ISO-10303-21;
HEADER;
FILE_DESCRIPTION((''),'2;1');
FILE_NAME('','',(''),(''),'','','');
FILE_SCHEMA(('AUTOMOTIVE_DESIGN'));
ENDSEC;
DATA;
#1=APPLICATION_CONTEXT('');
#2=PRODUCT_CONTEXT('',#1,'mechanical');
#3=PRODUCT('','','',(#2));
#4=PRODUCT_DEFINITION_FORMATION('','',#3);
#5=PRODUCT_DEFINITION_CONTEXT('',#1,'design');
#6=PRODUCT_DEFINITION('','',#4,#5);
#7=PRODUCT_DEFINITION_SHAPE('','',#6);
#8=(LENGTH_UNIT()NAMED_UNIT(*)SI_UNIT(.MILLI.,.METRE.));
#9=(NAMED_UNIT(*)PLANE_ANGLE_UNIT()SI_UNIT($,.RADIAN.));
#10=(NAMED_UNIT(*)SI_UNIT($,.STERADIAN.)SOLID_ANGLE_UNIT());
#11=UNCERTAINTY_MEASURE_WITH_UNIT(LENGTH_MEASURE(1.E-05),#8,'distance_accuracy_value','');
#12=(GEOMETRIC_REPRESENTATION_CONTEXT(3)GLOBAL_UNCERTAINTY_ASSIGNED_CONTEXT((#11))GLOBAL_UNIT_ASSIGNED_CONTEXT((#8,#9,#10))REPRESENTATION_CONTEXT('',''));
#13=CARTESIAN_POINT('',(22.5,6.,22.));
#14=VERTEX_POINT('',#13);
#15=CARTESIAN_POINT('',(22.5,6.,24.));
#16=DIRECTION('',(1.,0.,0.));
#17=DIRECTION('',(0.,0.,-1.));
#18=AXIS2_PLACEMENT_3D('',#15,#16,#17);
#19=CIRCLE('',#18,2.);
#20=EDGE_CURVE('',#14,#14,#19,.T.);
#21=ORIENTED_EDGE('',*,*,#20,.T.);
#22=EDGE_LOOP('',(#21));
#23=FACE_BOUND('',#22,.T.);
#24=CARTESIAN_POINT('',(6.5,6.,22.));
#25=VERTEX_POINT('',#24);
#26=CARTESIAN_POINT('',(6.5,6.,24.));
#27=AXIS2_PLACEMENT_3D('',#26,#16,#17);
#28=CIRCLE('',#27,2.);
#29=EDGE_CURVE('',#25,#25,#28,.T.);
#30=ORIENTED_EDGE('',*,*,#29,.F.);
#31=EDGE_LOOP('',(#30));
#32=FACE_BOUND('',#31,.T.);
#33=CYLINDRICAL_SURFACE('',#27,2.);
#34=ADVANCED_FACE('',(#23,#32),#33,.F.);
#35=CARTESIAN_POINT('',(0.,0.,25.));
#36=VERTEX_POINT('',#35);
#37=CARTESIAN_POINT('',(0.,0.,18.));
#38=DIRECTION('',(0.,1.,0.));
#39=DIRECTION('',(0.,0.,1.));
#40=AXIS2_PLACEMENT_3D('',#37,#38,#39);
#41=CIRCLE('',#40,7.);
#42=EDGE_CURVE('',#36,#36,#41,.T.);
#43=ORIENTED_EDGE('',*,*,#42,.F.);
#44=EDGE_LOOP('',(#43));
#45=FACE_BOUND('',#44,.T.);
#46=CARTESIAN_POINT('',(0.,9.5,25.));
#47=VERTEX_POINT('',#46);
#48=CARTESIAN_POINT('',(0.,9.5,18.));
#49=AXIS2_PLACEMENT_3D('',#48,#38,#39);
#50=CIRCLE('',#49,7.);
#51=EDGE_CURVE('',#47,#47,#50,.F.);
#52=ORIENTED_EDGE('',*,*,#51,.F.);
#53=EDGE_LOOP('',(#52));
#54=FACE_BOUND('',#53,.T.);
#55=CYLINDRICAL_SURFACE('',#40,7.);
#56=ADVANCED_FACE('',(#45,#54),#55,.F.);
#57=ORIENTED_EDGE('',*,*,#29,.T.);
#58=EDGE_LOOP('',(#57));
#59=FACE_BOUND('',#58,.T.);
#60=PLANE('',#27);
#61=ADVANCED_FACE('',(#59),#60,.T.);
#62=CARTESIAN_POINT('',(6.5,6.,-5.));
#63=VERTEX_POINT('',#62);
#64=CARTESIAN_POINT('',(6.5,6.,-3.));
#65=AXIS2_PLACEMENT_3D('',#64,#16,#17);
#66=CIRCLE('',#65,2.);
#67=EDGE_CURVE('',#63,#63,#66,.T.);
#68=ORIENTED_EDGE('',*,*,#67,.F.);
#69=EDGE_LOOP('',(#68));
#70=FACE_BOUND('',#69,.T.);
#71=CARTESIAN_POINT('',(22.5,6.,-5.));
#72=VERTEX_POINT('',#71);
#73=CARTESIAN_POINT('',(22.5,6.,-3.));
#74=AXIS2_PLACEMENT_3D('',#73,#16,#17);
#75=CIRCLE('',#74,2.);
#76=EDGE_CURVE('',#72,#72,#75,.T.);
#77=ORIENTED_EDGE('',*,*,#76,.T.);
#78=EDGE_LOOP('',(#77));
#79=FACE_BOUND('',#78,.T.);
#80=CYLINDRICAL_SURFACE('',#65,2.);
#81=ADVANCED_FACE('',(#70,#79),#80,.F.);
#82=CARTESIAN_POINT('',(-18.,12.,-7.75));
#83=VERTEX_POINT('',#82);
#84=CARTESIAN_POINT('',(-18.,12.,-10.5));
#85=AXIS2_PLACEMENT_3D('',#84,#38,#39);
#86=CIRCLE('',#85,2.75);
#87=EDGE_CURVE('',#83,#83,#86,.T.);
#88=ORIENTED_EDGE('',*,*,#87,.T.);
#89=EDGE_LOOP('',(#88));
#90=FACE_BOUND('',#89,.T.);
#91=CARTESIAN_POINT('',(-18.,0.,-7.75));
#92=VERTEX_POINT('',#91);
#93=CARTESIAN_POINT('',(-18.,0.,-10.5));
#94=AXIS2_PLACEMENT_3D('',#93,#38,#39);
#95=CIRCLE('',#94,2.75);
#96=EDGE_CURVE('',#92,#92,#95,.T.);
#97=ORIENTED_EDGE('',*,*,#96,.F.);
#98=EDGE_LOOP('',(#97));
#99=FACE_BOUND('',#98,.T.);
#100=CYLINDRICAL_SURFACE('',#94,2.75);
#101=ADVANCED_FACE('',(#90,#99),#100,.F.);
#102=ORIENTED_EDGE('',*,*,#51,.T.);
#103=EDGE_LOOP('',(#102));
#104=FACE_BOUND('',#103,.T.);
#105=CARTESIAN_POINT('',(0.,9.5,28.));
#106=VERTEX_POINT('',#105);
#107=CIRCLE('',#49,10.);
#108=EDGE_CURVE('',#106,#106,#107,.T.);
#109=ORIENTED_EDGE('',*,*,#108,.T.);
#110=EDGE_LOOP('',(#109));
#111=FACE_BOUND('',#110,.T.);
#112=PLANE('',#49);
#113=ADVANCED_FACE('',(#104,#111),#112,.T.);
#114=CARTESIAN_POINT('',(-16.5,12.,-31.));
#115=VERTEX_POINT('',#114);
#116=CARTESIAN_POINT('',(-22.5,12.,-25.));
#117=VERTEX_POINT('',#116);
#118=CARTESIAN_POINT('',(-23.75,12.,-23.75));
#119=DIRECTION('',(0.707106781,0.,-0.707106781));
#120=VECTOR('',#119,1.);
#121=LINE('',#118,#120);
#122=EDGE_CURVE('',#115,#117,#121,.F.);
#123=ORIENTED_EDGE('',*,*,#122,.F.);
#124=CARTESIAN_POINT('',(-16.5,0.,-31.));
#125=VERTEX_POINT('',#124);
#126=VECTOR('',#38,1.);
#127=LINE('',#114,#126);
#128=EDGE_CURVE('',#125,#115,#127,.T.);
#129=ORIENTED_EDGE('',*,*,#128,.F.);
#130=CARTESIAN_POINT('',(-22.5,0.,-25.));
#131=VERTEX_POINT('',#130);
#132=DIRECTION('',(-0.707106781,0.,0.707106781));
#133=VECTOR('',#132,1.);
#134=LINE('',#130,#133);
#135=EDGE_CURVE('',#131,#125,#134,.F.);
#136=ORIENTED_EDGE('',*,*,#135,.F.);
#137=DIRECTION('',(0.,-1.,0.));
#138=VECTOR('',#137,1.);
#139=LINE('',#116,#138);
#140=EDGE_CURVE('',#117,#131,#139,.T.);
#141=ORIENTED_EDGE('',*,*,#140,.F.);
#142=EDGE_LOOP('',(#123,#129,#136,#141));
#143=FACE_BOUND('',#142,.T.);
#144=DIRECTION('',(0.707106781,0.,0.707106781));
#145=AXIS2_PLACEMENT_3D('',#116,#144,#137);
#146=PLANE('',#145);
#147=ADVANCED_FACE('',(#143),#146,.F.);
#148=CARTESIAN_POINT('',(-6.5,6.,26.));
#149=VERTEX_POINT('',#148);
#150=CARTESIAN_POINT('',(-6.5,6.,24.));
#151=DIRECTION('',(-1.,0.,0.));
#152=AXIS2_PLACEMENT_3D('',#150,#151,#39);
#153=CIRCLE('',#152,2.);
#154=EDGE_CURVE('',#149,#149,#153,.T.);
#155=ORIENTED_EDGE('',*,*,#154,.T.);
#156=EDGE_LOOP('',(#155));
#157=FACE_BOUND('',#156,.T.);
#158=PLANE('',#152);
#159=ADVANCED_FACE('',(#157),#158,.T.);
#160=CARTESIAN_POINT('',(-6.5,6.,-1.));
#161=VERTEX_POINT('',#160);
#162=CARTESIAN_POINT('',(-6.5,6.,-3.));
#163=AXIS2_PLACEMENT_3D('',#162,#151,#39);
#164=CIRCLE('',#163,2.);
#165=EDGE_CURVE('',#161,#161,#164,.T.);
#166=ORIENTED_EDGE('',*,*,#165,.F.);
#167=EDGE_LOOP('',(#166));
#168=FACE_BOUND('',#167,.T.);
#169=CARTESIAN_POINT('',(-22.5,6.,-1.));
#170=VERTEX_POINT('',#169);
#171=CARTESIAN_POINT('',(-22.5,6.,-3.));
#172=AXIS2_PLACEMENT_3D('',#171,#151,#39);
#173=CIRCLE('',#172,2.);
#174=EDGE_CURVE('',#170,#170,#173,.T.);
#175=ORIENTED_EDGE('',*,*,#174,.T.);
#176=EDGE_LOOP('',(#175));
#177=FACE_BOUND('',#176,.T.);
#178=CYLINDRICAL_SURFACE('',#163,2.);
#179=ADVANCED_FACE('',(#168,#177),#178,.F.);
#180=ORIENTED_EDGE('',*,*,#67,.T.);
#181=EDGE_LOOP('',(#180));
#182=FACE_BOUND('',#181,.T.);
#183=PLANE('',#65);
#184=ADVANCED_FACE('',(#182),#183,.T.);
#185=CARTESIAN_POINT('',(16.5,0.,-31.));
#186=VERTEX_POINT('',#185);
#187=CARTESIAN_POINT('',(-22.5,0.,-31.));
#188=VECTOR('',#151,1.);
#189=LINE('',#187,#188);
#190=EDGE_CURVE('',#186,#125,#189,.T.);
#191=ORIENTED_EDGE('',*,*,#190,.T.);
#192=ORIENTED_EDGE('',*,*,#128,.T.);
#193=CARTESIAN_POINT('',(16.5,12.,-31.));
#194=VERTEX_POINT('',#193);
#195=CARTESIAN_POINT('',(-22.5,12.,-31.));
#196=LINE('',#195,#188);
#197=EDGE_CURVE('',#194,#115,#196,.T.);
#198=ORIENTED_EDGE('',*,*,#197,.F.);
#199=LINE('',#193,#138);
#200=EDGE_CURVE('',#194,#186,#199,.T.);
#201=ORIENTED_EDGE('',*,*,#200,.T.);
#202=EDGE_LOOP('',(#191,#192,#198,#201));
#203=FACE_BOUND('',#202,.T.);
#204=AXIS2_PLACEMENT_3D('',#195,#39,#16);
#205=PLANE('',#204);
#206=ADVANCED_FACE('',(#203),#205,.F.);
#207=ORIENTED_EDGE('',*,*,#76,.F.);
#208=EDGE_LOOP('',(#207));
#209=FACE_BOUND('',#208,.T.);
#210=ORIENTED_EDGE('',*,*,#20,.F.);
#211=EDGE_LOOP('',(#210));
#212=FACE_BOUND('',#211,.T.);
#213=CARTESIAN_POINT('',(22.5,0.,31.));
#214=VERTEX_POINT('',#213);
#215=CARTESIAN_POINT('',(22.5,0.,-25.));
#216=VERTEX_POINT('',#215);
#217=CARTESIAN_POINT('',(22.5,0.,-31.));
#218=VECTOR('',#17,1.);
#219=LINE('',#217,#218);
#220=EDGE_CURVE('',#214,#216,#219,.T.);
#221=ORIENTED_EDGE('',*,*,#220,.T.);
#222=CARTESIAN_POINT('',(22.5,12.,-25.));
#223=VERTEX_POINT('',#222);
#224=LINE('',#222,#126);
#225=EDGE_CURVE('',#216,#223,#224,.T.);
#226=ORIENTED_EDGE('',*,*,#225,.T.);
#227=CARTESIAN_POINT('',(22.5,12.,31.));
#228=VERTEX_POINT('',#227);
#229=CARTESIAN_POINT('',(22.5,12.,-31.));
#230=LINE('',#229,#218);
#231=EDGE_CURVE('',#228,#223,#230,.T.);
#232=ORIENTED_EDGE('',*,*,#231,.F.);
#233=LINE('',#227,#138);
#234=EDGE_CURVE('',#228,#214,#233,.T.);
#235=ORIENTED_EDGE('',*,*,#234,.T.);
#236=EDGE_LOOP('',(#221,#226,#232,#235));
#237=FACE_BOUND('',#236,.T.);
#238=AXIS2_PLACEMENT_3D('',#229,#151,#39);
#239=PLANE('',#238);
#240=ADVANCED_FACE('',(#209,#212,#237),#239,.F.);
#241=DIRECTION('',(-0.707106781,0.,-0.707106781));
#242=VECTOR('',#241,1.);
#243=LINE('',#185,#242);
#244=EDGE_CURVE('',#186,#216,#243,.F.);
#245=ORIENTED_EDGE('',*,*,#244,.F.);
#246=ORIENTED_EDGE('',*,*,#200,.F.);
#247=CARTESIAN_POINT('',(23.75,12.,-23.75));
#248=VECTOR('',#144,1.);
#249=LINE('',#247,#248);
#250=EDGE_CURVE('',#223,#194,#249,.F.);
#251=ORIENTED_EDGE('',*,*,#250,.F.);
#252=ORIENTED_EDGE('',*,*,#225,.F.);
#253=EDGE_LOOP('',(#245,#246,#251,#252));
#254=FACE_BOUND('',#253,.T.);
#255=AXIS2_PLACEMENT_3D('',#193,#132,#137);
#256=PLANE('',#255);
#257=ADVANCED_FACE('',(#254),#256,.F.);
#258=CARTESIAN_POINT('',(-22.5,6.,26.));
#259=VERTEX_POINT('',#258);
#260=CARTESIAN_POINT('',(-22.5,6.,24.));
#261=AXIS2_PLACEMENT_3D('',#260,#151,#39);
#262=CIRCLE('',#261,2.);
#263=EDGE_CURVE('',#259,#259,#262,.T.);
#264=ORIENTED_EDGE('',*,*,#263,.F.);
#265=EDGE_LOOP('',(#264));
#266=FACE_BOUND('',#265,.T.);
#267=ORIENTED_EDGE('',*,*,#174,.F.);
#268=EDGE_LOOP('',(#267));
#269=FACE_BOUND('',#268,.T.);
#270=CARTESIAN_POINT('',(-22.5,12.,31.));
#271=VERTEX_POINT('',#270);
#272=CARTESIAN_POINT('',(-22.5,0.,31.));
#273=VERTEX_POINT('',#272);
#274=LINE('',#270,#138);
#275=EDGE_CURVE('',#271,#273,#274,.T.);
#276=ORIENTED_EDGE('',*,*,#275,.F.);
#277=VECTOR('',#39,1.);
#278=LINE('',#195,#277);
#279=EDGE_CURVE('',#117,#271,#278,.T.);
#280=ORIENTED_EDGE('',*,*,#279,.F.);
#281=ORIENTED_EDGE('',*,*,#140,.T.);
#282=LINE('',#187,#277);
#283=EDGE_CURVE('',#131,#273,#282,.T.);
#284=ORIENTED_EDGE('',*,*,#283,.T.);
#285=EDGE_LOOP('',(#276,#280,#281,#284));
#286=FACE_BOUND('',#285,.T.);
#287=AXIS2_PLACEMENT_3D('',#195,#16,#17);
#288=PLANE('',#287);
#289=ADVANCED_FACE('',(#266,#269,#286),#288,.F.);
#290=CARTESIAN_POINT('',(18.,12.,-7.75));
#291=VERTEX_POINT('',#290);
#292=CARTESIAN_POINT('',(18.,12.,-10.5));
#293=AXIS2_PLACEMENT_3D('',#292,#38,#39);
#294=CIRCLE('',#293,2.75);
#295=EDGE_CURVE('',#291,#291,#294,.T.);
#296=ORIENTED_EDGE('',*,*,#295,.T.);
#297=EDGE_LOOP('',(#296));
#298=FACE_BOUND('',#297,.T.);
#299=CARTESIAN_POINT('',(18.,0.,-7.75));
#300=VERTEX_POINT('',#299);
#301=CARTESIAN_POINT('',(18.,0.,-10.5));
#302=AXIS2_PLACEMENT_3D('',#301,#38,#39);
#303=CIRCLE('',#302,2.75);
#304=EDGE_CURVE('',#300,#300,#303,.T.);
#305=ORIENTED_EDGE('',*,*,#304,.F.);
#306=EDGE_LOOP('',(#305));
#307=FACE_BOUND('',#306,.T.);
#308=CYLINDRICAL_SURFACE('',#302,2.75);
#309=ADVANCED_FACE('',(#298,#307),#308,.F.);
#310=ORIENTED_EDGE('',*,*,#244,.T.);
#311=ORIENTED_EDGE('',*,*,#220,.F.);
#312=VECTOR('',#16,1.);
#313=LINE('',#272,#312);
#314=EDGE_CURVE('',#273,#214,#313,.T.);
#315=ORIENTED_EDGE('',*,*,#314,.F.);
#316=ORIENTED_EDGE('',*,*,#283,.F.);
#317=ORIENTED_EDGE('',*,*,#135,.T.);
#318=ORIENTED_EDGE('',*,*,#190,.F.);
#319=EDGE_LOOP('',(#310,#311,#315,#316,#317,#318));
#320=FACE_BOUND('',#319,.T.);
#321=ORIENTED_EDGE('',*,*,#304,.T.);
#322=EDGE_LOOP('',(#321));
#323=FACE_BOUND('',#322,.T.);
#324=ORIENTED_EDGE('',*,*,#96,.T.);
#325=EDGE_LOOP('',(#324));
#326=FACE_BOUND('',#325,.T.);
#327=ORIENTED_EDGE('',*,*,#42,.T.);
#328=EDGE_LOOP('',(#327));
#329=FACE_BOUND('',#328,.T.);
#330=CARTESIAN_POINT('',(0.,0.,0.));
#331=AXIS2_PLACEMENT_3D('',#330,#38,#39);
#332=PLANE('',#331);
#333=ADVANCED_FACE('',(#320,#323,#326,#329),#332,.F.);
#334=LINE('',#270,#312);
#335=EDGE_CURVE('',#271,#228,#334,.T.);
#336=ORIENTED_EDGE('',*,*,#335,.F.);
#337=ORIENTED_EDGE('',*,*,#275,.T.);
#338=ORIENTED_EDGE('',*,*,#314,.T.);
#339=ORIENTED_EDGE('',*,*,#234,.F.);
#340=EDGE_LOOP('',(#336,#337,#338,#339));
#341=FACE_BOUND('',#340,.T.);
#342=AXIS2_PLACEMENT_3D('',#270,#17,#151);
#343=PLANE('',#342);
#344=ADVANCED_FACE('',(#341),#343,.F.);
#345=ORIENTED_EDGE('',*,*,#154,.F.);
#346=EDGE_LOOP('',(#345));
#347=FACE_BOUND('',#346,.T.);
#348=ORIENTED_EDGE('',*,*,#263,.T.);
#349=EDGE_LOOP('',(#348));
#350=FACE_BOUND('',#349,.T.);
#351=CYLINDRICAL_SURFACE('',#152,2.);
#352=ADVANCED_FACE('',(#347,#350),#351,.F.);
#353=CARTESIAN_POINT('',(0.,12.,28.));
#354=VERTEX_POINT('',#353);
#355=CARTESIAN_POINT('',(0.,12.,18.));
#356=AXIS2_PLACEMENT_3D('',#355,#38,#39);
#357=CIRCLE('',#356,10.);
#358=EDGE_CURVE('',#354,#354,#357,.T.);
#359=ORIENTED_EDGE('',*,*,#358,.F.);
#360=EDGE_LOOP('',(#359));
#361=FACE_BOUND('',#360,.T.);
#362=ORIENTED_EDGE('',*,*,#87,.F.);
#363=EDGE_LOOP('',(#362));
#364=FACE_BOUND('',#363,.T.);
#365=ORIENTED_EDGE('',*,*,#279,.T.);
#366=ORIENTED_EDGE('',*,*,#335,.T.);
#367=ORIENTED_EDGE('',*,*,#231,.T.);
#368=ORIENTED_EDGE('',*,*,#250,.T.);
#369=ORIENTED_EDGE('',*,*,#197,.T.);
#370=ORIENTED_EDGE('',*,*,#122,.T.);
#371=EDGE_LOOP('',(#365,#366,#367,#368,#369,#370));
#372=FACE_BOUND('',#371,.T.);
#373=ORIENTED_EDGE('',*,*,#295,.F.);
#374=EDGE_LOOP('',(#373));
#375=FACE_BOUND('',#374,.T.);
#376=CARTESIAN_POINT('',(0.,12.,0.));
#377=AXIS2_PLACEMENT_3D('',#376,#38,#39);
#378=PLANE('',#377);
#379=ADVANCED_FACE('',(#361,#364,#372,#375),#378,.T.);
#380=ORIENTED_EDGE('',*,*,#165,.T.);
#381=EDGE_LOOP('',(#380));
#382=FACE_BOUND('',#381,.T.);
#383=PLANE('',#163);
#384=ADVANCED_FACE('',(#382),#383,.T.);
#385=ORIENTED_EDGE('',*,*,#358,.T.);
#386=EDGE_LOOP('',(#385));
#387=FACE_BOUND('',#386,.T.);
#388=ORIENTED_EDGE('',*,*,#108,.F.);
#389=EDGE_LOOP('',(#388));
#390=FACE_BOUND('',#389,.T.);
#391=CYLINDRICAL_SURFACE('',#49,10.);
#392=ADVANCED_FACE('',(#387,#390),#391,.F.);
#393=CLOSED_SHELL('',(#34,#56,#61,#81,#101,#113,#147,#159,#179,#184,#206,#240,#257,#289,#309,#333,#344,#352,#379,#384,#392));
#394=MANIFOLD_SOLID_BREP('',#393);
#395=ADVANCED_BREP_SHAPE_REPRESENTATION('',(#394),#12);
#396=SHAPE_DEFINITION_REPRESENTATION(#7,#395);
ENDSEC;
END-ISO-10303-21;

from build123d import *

# Parameters (mm, degrees)
SKETCH1_W           = 45
SKETCH1_H           = 62
BOSS_EXTRUDE1_DEPTH = 12
SKETCH2_R           = 7
SKETCH2_R_2         = 2.75
CUT_EXTRUDE1_DEPTH  = 12
SKETCH3_R           = 10
CUT_EXTRUDE2_DEPTH  = 2.5
SKETCH4_R           = 2
CUT_EXTRUDE3_DEPTH  = 16
SKETCH5_R           = 2
CUT_EXTRUDE4_DEPTH  = 16
CHAMFER1_SIZE       = 6


with BuildPart() as part:
    # Sketch1 → Boss-Extrude1 (new body)
    with BuildSketch(Plane(origin=(0, 0, 0), x_dir=(1, 0, 0), z_dir=(0, 1, 0))):
        Rectangle(SKETCH1_W, SKETCH1_H)
    extrude(amount=BOSS_EXTRUDE1_DEPTH)

    # Sketch2 → Cut-Extrude1 (cut)
    with BuildSketch(Plane(origin=(0, 12, 0), x_dir=(1, 0, 0), z_dir=(0, 1, 0))):
        with Locations((0, -18)):
            Circle(SKETCH2_R)
        with Locations((-18, 10.5)):
            Circle(SKETCH2_R_2)
        with Locations((18, 10.5)):
            Circle(SKETCH2_R_2)
    extrude(amount=-CUT_EXTRUDE1_DEPTH, mode=Mode.SUBTRACT)

    # Sketch3 → Cut-Extrude2 (cut)
    with BuildSketch(Plane(origin=(0, 12, 0), x_dir=(1, 0, 0), z_dir=(0, 1, 0))):
        with Locations((0, -18)):
            Circle(SKETCH3_R)
    extrude(amount=-CUT_EXTRUDE2_DEPTH, mode=Mode.SUBTRACT)

    # Sketch4 → Cut-Extrude3 (cut)
    with BuildSketch(Plane.ZY.offset(22.5)):
        with Locations((24, 6)):
            Circle(SKETCH4_R)
        with Locations((-3, 6)):
            Circle(SKETCH4_R)
    extrude(amount=-CUT_EXTRUDE3_DEPTH, mode=Mode.SUBTRACT)

    # Sketch5 → Cut-Extrude4 (cut)
    with BuildSketch(Plane(origin=(22.5, 0, 0), x_dir=(0, 0, -1), z_dir=(1, 0, 0))):
        with Locations((-24, 6)):
            Circle(SKETCH5_R)
        with Locations((3, 6)):
            Circle(SKETCH5_R)
    extrude(amount=-CUT_EXTRUDE4_DEPTH, mode=Mode.SUBTRACT)

    # Chamfer1
    chamfer1_edges = [part.edges().sort_by_distance(p)[0] for p in [
        (-22.5, 6, -31),
        (22.5, 6, -31),
    ]]
    chamfer(chamfer1_edges, length=CHAMFER1_SIZE)


solid = part.part
